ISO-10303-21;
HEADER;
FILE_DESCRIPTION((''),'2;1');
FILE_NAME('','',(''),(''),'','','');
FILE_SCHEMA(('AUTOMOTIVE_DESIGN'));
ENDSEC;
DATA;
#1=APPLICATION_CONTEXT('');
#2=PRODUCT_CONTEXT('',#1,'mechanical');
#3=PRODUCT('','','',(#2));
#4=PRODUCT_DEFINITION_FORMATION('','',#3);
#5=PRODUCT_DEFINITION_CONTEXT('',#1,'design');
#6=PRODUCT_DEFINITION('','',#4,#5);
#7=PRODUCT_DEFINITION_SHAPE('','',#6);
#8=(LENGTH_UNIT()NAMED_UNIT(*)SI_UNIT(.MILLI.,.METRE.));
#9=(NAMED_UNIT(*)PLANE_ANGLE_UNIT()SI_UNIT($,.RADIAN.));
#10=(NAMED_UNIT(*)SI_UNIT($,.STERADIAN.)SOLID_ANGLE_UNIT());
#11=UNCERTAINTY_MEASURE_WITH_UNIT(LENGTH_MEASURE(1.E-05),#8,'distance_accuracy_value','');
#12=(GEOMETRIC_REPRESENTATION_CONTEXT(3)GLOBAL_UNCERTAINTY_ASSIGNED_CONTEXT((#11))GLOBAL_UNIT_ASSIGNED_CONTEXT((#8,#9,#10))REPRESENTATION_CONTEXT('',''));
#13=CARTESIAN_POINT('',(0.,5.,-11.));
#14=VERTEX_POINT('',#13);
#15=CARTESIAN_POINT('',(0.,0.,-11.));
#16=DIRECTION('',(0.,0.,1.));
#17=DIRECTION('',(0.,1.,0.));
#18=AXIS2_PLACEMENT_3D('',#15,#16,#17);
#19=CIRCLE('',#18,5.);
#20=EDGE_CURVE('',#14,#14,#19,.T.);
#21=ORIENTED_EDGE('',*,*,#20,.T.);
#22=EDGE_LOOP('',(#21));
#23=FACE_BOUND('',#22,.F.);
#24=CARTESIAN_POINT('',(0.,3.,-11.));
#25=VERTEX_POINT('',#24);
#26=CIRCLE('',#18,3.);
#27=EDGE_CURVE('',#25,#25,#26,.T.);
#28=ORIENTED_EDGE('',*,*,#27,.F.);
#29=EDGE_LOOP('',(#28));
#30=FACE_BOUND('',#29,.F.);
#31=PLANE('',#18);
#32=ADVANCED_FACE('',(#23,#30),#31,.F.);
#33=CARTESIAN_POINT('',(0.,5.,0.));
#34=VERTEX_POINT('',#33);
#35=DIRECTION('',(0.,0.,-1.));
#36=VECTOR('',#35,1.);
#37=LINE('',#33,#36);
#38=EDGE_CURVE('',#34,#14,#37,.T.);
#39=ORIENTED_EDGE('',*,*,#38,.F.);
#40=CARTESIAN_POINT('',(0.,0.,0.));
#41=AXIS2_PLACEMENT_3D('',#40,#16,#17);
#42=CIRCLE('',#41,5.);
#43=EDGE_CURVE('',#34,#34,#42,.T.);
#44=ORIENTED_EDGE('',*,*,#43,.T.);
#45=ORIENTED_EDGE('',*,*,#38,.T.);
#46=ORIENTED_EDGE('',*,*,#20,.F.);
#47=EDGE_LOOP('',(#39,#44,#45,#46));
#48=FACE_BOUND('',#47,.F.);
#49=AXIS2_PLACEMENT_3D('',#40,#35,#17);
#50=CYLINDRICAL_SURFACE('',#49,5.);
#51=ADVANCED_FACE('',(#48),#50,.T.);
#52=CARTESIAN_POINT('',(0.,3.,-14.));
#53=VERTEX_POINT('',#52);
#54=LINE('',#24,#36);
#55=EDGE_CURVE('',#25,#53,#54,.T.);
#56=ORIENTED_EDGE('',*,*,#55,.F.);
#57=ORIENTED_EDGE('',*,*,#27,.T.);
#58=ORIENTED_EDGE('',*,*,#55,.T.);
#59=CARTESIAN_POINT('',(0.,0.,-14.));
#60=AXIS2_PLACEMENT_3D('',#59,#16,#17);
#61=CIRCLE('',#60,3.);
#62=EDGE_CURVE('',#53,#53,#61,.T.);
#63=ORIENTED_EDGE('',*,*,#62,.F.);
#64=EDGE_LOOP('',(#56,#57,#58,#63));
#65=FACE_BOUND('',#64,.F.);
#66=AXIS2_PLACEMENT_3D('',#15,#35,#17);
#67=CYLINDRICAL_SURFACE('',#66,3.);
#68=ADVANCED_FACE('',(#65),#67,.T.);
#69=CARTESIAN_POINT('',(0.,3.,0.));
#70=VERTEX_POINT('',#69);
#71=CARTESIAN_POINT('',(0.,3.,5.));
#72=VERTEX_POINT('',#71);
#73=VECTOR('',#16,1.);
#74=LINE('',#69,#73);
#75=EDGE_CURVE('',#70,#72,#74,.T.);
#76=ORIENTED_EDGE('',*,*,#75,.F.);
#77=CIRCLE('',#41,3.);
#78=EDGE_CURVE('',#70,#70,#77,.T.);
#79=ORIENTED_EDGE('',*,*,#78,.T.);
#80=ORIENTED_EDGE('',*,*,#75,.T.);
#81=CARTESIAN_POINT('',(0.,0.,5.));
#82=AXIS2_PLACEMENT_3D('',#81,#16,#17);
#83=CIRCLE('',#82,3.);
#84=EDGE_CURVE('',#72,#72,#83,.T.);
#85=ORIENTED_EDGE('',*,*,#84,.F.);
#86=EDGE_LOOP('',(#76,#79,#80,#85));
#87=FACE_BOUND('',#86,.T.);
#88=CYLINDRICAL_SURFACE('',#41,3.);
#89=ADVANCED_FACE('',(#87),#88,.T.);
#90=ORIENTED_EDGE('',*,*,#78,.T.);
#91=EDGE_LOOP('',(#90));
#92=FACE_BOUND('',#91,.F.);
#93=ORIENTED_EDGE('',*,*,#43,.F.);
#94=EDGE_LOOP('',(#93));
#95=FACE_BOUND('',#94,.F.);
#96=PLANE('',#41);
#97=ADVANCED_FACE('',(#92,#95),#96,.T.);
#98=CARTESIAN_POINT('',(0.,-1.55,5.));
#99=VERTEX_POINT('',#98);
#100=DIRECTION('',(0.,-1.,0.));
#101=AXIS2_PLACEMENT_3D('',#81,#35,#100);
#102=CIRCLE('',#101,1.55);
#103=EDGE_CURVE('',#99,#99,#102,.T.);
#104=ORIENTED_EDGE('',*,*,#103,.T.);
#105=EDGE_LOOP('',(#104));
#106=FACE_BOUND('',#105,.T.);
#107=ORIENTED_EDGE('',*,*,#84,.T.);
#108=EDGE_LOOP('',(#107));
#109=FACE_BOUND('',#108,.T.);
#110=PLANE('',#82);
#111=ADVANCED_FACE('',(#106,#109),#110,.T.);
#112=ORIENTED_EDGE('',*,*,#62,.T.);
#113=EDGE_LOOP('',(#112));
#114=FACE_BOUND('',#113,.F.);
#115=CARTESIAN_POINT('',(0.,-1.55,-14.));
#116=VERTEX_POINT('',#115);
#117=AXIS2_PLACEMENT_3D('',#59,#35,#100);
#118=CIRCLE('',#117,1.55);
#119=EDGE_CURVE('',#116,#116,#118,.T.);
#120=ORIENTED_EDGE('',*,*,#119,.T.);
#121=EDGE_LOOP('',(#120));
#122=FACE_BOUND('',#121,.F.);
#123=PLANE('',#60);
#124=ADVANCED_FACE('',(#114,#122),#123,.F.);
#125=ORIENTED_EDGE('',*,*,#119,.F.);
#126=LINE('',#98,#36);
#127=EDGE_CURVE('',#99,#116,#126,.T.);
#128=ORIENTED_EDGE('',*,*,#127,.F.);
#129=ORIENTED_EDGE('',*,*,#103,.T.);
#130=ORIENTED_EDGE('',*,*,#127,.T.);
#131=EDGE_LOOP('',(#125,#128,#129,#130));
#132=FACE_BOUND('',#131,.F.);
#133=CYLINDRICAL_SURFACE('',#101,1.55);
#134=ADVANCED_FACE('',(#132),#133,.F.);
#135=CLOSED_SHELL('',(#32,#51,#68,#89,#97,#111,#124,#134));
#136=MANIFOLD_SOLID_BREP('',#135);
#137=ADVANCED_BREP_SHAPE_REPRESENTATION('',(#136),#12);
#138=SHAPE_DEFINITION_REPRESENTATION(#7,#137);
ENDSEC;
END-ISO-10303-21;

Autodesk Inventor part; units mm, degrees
ref_plane "YZ Plane" through (0, 0, 0) normal (1, 0, 0) x (0, 1, 0)
ref_plane "XZ Plane" through (0, 0, 0) normal (0, 1, 0) x (-1, 0, 0)
ref_plane "XY Plane" through (0, 0, 0) normal (0, 0, 1) x (1, 0, 0)
sketch "スケッチ1" plane through (0, 0, 0) normal (1, 0, 0) x (0, 1, 0)
  line L0 (0, 0) -> (3, 0)
  line L1 (3, 0) -> (3, 5)
  line L2 (3, 5) -> (0, 5)
  line L3 (0, 5) -> (0, 0)
  line L4 (0, 0) -> (5, 0)
  line L5 (5, 0) -> (5, -11)
  line L6 (5, -11) -> (0, -11)
  line L7 (0, -11) -> (0, 0)
  line L8 (0, -11) -> (3, -11)
  line L9 (3, -11) -> (3, -14)
  line L10 (3, -14) -> (0, -14)
  line L11 (0, -14) -> (0, -11)
  dimension "d0" = 3
  dimension "d1" = 5
  dimension "d2" = 5
  dimension "d3" = 11
  dimension "d4" = 3
  dimension "d5" = 3
revolve "回転1" add sketch "スケッチ1" angle 360 about axis through (0, 0, -11) along (0, 0, 1)
sketch "スケッチ2" plane through (0, 0, 5) normal (0, 0, 1) x (1, 0, 0)
  point P0 (0, 0)
  point P1 (0, 0)
hole "穴1" at (0, 0, 5) direction (0, 0, -1) diameter 3.1 end through all
properties part number "ベース板連結棒" material "アルミニウム 6061"
